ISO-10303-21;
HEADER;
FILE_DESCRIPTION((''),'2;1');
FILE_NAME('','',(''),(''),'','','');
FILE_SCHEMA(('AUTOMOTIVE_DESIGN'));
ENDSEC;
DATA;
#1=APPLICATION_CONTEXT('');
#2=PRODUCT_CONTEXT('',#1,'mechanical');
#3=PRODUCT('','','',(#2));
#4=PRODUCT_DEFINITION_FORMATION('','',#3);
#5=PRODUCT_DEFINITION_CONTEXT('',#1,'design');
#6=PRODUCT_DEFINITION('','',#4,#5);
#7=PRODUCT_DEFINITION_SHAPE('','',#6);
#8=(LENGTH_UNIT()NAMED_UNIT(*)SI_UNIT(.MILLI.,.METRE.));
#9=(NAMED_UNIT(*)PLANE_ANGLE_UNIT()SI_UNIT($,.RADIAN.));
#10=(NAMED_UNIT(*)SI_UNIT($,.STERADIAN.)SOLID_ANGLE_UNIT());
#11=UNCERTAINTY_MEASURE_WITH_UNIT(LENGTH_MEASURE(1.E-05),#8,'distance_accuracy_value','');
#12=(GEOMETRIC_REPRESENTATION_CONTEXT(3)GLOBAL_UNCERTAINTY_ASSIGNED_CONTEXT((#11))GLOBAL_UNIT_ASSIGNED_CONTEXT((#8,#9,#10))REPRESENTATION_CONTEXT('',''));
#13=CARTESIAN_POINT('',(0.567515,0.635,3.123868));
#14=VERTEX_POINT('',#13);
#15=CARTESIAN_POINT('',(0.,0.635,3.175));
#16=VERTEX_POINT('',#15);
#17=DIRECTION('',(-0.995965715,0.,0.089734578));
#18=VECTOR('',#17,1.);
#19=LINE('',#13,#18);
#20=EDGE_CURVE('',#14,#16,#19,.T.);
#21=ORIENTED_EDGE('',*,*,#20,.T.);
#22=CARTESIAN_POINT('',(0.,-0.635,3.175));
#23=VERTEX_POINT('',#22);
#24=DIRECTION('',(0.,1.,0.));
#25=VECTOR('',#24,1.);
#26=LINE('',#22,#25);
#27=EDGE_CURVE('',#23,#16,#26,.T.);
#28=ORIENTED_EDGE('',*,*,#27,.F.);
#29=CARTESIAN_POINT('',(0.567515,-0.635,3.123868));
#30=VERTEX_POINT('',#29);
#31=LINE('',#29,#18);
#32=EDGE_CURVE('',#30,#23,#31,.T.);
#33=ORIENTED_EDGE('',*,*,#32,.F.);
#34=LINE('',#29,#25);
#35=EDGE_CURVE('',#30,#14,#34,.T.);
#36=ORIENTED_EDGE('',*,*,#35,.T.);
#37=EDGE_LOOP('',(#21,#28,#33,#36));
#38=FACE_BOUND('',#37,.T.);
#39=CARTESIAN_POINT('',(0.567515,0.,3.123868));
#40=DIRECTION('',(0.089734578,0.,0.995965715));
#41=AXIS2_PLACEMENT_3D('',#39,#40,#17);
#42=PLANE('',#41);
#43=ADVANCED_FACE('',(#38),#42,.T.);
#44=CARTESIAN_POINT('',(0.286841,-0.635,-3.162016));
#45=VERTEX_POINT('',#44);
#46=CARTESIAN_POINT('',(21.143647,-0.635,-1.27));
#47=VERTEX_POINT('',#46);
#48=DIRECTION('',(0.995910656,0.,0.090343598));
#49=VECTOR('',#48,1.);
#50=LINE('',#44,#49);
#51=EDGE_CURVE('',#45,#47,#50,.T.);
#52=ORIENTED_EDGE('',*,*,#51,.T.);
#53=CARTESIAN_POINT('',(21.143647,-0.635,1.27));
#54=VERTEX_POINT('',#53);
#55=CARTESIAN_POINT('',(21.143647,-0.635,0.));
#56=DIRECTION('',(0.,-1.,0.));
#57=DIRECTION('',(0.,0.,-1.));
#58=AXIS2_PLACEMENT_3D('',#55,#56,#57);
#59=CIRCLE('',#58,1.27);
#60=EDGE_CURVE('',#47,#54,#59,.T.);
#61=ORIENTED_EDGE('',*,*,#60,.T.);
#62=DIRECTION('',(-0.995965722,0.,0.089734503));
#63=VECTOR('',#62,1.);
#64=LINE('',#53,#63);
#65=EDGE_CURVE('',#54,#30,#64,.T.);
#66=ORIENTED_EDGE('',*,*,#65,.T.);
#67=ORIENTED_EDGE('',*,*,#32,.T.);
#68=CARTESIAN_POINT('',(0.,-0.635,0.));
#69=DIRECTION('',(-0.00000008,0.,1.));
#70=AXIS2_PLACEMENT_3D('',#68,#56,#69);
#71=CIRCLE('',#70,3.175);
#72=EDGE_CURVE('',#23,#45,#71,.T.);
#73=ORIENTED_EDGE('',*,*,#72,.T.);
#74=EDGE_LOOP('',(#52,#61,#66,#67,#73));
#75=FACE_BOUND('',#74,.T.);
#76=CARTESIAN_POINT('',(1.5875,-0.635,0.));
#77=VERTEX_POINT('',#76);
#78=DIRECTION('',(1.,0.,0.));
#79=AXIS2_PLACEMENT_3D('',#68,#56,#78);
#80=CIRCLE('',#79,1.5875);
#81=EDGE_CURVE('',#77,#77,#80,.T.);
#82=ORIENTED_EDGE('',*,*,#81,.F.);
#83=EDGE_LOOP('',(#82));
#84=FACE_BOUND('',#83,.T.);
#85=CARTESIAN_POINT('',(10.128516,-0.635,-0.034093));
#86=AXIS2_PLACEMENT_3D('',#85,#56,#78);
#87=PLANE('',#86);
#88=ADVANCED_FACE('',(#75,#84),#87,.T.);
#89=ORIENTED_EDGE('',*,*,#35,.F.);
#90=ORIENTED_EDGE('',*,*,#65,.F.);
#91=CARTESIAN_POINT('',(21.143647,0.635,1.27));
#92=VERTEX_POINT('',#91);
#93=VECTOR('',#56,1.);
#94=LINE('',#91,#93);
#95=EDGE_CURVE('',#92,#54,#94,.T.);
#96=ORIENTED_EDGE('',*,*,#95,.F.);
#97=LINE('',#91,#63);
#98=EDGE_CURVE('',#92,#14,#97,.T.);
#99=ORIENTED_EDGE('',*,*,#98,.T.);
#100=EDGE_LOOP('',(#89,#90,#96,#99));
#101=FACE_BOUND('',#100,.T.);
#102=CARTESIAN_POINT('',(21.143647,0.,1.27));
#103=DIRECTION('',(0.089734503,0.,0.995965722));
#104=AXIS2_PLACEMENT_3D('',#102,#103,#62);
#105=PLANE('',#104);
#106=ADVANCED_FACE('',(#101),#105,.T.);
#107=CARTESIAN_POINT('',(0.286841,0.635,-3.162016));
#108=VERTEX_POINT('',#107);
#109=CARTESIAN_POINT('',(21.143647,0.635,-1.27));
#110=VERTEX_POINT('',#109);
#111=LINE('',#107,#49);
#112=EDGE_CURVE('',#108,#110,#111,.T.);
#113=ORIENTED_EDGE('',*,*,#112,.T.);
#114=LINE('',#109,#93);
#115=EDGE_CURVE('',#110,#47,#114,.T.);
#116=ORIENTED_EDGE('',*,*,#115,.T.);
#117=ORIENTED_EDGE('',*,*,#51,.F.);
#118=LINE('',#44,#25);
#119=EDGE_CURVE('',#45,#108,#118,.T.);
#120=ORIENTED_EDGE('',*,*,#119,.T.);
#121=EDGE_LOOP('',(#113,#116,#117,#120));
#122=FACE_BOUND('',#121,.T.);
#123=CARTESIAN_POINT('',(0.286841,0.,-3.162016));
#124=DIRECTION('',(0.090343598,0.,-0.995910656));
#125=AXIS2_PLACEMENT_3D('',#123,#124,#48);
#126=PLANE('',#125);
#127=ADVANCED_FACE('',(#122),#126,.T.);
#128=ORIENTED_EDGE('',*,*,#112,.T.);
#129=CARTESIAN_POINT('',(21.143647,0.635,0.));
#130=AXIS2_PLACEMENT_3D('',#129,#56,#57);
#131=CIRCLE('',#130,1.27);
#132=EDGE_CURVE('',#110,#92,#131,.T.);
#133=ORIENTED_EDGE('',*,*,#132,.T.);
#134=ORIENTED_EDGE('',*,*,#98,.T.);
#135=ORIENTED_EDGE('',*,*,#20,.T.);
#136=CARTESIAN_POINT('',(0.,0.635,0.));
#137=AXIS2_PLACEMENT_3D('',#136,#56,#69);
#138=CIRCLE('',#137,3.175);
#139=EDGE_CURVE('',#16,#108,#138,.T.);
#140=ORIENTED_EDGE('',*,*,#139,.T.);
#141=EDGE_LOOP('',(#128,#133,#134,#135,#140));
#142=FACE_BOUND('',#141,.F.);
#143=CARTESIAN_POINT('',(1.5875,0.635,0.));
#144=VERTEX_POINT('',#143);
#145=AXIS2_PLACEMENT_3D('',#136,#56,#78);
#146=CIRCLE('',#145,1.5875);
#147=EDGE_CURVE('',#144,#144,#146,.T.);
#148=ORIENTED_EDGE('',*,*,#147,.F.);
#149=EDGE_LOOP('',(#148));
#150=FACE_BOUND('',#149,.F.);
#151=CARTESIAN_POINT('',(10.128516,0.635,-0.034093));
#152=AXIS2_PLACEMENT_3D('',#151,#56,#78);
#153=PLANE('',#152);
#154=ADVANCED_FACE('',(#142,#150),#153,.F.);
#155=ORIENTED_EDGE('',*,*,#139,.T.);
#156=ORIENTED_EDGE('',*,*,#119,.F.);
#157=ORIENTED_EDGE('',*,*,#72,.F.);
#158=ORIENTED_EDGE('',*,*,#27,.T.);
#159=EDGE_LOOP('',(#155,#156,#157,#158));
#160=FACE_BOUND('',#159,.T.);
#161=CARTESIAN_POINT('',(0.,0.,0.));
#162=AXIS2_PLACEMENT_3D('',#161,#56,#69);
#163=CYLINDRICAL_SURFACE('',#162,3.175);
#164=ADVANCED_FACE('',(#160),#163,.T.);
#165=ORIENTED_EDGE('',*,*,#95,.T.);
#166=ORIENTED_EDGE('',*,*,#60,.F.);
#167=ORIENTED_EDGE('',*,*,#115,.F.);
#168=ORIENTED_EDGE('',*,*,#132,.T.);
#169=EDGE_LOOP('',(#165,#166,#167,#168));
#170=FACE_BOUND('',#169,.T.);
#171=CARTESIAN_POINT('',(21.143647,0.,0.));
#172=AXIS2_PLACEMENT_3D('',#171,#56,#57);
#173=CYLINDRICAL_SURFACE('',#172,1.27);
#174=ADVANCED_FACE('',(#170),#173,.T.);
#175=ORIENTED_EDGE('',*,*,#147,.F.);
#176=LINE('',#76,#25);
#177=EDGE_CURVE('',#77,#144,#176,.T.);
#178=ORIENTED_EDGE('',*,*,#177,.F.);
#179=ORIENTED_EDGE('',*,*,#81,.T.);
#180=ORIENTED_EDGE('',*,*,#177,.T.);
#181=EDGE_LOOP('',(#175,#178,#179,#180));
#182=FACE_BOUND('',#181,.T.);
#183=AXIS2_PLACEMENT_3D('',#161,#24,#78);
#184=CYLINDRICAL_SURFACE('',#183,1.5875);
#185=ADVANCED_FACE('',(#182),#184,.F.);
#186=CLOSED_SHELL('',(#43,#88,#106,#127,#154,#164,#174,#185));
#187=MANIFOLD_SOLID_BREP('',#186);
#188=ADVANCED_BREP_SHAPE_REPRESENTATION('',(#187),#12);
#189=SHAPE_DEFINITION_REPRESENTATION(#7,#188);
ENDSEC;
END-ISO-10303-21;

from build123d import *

# Parameters (mm, degrees)
F0_R     = 1.5875
F1_DEPTH = 0.635


with BuildPart() as f1:
    # F0 (on Front) → F1 (new body, symmetric)
    with BuildSketch(Plane.XZ):
        with BuildLine():
            ThreePointArc((0.567515, 3.123868), (2.437467, 2.034547), (3.175, 0))
            ThreePointArc((3.175, 0), (2.344285, -2.14125), (0.286841, -3.162016))
            Line((0.286841, -3.162016), (21.143647, -1.27))
            ThreePointArc((21.143647, -1.27), (22.413647, 0), (21.143647, 1.27))
            Line((21.143647, 1.27), (0.567515, 3.123868))
        make_face()
        with BuildLine():
            ThreePointArc((0.286841, -3.162016), (2.344285, -2.14125), (3.175, 0))
            ThreePointArc((3.175, 0), (2.437467, 2.034547), (0.567515, 3.123868))
            Line((0.567515, 3.123868), (0, 3.175))
            ThreePointArc((0, 3.175), (-3.171752, -0.143567), (0.286841, -3.162016))
        make_face()
        Circle(F0_R, mode=Mode.SUBTRACT)
    extrude(amount=F1_DEPTH, both=True)


solid = f1.part
